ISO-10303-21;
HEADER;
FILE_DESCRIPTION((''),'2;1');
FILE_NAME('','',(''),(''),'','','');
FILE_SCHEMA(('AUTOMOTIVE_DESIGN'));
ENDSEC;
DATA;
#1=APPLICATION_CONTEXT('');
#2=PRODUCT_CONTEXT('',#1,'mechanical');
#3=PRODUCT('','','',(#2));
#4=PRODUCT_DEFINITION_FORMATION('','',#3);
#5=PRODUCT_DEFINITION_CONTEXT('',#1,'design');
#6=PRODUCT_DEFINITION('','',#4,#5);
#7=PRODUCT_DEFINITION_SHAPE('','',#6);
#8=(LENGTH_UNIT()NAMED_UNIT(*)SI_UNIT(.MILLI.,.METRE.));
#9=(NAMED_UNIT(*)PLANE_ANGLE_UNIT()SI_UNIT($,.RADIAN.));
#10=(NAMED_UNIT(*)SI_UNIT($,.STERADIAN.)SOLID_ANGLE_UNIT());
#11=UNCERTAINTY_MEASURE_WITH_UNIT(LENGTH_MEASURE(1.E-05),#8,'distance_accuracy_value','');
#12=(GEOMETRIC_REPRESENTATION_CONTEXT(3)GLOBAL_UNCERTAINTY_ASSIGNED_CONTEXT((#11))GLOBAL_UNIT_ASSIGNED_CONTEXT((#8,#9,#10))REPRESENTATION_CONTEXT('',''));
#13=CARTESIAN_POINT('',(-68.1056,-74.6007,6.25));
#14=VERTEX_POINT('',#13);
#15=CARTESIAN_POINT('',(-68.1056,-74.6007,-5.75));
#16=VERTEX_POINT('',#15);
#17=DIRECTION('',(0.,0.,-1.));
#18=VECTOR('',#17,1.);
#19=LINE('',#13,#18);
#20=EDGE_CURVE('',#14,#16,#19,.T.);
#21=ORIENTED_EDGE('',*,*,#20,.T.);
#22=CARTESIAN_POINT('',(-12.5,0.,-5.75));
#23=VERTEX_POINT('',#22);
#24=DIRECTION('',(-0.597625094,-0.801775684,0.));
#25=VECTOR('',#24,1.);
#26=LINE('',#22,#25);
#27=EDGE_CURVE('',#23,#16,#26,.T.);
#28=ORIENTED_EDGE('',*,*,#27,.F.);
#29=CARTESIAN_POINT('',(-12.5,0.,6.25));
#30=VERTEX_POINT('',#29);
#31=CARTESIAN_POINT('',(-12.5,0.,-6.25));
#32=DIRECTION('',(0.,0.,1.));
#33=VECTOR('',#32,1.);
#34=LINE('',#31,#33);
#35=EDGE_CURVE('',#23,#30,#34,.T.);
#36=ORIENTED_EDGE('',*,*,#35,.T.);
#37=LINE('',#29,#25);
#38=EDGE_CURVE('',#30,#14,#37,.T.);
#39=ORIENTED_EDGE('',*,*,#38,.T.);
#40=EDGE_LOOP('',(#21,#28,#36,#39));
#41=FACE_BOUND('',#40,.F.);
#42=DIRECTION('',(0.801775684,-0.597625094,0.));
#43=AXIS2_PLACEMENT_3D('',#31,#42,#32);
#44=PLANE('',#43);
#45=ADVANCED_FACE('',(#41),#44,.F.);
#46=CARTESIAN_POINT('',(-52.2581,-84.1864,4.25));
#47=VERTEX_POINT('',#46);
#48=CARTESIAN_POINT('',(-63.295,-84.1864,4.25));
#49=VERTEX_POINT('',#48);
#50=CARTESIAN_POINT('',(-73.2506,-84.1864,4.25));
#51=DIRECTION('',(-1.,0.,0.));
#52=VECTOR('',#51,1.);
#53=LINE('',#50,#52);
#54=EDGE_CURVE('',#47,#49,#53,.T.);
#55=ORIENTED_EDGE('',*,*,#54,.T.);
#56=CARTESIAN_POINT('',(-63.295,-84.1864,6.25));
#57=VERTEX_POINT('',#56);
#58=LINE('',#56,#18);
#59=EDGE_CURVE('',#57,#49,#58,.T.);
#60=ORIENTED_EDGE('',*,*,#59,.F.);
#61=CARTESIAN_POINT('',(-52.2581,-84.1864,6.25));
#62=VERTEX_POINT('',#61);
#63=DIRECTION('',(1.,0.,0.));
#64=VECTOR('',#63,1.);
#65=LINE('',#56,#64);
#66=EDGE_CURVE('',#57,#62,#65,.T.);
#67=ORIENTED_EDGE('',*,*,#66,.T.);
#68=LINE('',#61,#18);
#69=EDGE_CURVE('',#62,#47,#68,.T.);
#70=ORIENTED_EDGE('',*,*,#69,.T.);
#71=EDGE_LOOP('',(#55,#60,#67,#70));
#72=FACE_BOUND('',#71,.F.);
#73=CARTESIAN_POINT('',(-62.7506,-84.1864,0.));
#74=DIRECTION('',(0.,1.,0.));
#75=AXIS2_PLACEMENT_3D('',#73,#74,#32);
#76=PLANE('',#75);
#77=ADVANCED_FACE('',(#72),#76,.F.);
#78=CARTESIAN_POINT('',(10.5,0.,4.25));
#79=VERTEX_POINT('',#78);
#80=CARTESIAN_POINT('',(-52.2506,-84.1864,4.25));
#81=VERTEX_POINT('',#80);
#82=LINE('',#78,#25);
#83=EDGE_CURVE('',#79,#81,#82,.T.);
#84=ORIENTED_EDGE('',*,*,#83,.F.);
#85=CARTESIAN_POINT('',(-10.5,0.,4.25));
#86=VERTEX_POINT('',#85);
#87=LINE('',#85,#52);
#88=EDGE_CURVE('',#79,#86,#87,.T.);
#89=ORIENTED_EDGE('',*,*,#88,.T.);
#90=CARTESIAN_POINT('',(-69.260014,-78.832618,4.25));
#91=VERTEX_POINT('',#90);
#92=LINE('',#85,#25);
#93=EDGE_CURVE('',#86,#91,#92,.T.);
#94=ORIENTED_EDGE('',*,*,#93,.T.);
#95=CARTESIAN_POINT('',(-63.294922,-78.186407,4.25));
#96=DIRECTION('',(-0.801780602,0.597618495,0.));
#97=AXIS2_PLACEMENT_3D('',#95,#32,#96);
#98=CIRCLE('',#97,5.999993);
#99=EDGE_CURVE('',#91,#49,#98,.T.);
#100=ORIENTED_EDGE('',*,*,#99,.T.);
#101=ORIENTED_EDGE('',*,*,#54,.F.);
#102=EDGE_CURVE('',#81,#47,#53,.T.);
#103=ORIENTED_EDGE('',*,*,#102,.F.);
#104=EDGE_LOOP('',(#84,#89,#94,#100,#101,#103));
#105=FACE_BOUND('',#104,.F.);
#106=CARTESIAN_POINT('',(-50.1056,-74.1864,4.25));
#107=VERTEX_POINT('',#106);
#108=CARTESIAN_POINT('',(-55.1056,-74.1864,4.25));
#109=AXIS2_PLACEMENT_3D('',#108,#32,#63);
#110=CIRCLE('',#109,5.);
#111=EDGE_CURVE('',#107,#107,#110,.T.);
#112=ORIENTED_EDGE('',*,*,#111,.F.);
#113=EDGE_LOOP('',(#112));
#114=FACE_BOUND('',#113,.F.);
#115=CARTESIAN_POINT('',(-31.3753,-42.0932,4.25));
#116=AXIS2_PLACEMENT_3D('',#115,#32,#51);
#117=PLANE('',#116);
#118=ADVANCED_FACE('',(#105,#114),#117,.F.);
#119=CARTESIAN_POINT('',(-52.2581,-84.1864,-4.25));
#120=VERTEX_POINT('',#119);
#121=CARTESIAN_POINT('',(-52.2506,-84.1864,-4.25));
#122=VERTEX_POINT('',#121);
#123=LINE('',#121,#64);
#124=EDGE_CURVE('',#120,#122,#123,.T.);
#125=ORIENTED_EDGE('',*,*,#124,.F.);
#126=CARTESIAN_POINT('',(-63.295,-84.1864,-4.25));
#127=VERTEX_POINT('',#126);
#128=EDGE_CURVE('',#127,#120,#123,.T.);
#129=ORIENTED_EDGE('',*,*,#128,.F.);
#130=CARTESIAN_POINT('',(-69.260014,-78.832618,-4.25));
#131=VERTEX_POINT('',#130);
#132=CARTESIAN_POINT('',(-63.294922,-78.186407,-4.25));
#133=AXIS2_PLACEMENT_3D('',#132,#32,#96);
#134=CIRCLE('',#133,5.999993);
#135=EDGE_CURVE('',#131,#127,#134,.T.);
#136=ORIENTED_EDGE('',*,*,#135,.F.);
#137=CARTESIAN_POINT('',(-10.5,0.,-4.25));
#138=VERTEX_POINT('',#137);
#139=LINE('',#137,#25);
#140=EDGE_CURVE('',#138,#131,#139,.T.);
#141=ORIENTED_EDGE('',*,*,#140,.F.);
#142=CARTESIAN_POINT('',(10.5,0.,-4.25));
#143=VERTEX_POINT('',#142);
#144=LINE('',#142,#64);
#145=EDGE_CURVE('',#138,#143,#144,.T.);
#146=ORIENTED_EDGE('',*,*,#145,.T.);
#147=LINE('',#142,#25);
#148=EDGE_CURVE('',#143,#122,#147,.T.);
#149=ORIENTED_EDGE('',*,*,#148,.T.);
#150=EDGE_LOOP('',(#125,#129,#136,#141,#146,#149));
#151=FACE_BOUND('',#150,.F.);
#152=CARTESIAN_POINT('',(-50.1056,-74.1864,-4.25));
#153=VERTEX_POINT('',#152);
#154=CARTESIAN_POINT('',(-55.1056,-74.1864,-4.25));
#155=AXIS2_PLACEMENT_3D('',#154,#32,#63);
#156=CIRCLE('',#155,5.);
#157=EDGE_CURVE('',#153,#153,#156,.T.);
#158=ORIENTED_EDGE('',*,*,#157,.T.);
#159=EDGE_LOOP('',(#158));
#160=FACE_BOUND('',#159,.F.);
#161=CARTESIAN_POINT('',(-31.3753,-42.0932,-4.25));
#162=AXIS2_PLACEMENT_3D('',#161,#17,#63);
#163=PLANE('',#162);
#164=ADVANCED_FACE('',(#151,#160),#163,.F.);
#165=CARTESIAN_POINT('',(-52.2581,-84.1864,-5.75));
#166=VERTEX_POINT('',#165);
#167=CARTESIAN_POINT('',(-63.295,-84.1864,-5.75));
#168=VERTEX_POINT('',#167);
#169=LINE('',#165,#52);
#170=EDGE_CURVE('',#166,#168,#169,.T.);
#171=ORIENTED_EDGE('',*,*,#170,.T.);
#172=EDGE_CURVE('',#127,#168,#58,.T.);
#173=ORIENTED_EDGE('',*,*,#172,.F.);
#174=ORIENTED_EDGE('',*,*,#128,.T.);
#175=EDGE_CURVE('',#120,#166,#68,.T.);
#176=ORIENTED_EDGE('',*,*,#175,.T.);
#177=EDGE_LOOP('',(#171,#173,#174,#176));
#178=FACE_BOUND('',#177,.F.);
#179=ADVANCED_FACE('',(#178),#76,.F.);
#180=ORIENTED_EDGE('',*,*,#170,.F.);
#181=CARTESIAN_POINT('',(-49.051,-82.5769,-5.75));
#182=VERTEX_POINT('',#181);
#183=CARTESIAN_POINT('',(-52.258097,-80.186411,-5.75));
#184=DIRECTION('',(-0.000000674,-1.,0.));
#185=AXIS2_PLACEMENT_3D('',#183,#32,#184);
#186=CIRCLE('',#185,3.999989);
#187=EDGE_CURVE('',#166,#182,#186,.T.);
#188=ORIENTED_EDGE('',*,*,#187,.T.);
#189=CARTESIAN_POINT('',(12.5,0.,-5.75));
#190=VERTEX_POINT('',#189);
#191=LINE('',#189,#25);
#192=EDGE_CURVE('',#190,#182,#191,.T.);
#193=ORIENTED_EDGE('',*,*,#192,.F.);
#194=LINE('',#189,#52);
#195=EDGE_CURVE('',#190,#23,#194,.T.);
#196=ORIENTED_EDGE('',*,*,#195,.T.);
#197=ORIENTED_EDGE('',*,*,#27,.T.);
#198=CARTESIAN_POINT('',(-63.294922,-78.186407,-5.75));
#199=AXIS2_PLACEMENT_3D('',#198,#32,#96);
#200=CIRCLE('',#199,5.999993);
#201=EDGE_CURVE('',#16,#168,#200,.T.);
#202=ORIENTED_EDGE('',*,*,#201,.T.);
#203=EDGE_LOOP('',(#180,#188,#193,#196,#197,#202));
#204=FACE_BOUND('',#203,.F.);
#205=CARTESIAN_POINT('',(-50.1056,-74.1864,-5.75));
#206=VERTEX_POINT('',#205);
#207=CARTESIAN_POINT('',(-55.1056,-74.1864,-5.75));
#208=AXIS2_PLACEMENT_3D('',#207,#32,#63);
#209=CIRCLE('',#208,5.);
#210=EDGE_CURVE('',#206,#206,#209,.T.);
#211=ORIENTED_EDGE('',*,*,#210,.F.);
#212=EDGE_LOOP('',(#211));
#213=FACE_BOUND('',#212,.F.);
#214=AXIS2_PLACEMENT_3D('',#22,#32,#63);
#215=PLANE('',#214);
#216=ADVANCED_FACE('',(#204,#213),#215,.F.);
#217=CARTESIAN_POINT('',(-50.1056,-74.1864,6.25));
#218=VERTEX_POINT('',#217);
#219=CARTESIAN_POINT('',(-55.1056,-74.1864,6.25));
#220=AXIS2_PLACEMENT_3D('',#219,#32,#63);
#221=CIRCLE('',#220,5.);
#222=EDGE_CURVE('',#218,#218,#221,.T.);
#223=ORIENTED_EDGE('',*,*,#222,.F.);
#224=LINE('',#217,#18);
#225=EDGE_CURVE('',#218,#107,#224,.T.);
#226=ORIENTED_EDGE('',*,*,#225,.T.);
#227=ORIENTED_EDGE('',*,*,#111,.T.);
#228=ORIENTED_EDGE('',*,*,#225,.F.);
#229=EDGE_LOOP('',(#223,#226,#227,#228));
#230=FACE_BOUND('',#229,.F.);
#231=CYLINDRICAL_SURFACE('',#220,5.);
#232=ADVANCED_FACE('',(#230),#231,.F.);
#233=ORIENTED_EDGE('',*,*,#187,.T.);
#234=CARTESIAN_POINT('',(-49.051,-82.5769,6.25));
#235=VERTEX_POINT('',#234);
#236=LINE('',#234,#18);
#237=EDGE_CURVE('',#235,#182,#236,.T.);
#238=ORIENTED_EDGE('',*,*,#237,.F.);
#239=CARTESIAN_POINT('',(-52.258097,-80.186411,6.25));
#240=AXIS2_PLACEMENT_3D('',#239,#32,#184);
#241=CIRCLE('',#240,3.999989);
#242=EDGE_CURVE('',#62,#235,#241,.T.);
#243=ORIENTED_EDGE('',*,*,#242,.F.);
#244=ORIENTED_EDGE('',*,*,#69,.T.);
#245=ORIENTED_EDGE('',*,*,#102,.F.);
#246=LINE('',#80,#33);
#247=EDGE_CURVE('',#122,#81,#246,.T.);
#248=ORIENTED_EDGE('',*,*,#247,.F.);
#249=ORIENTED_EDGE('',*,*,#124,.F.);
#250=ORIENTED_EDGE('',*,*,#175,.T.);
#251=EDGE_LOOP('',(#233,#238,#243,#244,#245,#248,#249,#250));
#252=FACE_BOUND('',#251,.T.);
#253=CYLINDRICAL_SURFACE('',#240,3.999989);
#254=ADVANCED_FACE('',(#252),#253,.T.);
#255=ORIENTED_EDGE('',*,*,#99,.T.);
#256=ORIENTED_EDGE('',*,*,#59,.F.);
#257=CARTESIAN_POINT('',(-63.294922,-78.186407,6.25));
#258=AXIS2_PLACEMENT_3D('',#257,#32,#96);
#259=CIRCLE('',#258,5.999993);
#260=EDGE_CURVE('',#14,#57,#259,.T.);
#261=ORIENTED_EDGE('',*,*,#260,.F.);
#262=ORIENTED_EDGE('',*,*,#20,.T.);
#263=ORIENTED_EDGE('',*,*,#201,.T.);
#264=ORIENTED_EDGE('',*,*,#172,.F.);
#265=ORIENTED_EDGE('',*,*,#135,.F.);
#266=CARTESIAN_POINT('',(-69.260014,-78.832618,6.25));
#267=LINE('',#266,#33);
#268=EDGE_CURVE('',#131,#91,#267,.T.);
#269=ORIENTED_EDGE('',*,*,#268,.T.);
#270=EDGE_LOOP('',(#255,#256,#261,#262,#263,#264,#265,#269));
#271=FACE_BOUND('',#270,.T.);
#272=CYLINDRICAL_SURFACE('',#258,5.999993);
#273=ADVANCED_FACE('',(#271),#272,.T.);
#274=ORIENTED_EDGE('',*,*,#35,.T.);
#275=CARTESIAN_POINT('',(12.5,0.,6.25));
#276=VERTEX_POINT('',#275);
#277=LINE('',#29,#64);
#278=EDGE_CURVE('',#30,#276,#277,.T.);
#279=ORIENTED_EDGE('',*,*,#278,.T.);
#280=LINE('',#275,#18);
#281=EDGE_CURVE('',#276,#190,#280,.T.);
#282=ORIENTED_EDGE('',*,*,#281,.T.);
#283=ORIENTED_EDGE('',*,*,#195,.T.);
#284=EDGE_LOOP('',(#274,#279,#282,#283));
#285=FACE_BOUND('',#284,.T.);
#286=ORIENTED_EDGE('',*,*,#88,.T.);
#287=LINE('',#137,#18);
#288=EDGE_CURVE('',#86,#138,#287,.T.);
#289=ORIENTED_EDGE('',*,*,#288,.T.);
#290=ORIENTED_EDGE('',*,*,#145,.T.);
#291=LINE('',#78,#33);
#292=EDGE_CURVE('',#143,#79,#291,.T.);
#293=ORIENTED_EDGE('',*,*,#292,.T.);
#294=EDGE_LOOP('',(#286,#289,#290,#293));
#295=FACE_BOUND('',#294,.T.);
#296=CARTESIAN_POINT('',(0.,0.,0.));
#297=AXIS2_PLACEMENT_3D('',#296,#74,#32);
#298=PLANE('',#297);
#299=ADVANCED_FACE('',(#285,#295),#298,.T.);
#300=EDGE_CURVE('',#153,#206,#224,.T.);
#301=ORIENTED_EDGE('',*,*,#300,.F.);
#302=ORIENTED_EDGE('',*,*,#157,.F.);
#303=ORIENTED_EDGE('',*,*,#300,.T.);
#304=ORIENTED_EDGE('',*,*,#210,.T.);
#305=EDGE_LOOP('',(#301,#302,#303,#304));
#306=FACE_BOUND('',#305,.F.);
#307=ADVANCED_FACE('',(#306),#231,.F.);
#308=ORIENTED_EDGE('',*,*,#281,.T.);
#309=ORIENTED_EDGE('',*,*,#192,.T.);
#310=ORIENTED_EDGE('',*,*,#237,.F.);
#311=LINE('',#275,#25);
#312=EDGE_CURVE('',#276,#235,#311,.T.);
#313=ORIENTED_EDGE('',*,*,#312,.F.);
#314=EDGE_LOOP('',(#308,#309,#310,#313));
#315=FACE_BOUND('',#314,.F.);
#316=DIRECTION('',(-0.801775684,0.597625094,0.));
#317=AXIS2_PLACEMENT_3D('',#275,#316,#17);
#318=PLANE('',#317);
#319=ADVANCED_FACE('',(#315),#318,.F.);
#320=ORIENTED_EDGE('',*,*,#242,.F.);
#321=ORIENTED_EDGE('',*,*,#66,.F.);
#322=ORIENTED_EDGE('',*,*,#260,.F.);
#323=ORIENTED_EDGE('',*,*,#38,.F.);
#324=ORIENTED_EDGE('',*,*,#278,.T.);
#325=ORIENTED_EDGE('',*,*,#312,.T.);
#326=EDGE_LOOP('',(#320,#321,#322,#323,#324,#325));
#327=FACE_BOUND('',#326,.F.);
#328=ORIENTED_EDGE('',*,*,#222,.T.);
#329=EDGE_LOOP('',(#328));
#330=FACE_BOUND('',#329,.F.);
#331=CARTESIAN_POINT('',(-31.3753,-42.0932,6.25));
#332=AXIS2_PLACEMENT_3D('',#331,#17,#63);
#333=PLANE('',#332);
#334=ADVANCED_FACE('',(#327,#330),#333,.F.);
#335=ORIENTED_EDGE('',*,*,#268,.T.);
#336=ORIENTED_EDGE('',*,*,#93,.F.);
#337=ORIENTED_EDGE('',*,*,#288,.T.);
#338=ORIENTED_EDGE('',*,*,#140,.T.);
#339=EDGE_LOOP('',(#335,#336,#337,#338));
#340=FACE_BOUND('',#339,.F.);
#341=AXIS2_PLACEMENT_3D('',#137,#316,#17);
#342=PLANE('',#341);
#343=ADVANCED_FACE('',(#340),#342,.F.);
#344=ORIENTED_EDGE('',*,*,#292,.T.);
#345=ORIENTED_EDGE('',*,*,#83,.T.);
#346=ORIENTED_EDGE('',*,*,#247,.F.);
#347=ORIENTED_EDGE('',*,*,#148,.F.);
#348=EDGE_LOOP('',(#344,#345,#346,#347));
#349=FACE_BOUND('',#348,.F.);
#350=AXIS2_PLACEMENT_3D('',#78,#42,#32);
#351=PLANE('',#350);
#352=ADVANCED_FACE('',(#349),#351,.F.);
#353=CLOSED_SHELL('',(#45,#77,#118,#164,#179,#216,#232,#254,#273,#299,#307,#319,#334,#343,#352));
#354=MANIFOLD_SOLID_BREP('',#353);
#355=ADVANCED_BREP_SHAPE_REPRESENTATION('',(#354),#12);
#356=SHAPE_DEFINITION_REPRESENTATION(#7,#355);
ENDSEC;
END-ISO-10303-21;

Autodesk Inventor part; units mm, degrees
ref_plane "YZ Plane" through (0, 0, 0) normal (1, 0, 0) x (0, 1, 0)
ref_plane "XZ Plane" through (0, 0, 0) normal (0, 1, 0) x (-1, 0, 0)
ref_plane "XY Plane" through (0, 0, 0) normal (0, 0, 1) x (1, 0, 0)
sketch "Boceto1" plane through (0, 0, 0) normal (0, 1, 0) x (-1, 0, 0)
  line L0 (12.5, 6.25) -> (-12.5, 6.25)
  line L1 (-12.5, 6.25) -> (-12.5, -6.25)
  line L2 (-12.5, -6.25) -> (12.5, -6.25)
  line L3 (12.5, -6.25) -> (12.5, 6.25)
  line L4 (10.5, 4.25) -> (-10.5, 4.25)
  line L5 (-10.5, 4.25) -> (-10.5, -4.25)
  line L6 (-10.5, -4.25) -> (10.5, -4.25)
  line L7 (10.5, -4.25) -> (10.5, 4.25)
  point P0 (0, 0)
  point P1 (12.5, 0)
  point P2 (0, -6.25)
  point P3 (10.5, 0)
  point P4 (0, 4.25)
  dimension "d3" = 25
  dimension "d4" = 12.5
  dimension "d6" = 2
  dimension "d7" = 2
sketch "Boceto2" plane through (0, 0, 0) normal (0, 0, 1) x (1, 0, 0)
  line L0 (0, 0) -> (-62.7506, -84.1864)
  line L1 (0, 0) -> (0, -34.6116) construction
  dimension "d2" = 36.7
  dimension "d5" = 105
sweep "Barrido1" add profiles "Boceto1" path "Boceto2"
sketch "Boceto3" plane through (-12.5, 0, 6.25) normal (0, 0, 1) x (1, 0, 0)
  line L0 (0, 0) -> (25, 0) projected
  line L1 (0, 0) -> (-62.7506, -84.1864) projected
  line L2 (-37.7506, -84.1864) -> (-62.7506, -84.1864) projected
  line L3 (25, 0) -> (-37.7506, -84.1864) projected
  line L4 (25, 0) -> (-37.7506, -84.1864) projected
  line L5 (25, 0) -> (-36.551, -82.5769)
  line L6 (-37.7506, -84.1864) -> (-62.7506, -84.1864) projected
  line L7 (0, 0) -> (-62.7506, -84.1864) projected
  line L8 (-55.6056, -74.6007) -> (0, 0)
  line L9 (0, 0) -> (25, 0) projected
  line L10 (0, 0) -> (25, 0)
  line L11 (-39.7581, -84.1864) -> (-50.795, -84.1864)
  arc A0 (-39.7581, -84.1864) -> (-36.551, -82.5769) centre (-39.7581, -80.1864) ccw
  arc A1 (-55.6056, -74.6007) -> (-50.795, -84.1864) centre (-50.795, -78.1864) ccw
  line L12 (12.5, 0) -> (-50.2506, -84.1864) projected
  dimension "d10" = 4
  dimension "d11" = 6
extrude "Extrusión1" cut sketch "Boceto3" against normal blind 12 contours L0 L12 L2 A1 L1 | L0 L3 A0 L2 L12 keep common part
sketch "Boceto4" plane through (-12.5, 0, 6.25) normal (0, 0, 1) x (1, 0, 0)
  circle A0 centre (-42.6056, -74.1864) radius 5
  line L0 (-39.7581, -84.1864) -> (-50.795, -84.1864) projected
  line L1 (0, 0) -> (-55.6056, -74.6007) projected
  point P0 (12.5, 0)
  dimension "d16" = 10
  dimension "d17" = 13
  dimension "d18" = 10
extrude "Extrusión2" cut sketch "Boceto4" against normal blind 12
equation "\"d4\" = 0.5 * d3"
properties part number "Asiento - Soporte Manija" material "Aluminio 6061"
